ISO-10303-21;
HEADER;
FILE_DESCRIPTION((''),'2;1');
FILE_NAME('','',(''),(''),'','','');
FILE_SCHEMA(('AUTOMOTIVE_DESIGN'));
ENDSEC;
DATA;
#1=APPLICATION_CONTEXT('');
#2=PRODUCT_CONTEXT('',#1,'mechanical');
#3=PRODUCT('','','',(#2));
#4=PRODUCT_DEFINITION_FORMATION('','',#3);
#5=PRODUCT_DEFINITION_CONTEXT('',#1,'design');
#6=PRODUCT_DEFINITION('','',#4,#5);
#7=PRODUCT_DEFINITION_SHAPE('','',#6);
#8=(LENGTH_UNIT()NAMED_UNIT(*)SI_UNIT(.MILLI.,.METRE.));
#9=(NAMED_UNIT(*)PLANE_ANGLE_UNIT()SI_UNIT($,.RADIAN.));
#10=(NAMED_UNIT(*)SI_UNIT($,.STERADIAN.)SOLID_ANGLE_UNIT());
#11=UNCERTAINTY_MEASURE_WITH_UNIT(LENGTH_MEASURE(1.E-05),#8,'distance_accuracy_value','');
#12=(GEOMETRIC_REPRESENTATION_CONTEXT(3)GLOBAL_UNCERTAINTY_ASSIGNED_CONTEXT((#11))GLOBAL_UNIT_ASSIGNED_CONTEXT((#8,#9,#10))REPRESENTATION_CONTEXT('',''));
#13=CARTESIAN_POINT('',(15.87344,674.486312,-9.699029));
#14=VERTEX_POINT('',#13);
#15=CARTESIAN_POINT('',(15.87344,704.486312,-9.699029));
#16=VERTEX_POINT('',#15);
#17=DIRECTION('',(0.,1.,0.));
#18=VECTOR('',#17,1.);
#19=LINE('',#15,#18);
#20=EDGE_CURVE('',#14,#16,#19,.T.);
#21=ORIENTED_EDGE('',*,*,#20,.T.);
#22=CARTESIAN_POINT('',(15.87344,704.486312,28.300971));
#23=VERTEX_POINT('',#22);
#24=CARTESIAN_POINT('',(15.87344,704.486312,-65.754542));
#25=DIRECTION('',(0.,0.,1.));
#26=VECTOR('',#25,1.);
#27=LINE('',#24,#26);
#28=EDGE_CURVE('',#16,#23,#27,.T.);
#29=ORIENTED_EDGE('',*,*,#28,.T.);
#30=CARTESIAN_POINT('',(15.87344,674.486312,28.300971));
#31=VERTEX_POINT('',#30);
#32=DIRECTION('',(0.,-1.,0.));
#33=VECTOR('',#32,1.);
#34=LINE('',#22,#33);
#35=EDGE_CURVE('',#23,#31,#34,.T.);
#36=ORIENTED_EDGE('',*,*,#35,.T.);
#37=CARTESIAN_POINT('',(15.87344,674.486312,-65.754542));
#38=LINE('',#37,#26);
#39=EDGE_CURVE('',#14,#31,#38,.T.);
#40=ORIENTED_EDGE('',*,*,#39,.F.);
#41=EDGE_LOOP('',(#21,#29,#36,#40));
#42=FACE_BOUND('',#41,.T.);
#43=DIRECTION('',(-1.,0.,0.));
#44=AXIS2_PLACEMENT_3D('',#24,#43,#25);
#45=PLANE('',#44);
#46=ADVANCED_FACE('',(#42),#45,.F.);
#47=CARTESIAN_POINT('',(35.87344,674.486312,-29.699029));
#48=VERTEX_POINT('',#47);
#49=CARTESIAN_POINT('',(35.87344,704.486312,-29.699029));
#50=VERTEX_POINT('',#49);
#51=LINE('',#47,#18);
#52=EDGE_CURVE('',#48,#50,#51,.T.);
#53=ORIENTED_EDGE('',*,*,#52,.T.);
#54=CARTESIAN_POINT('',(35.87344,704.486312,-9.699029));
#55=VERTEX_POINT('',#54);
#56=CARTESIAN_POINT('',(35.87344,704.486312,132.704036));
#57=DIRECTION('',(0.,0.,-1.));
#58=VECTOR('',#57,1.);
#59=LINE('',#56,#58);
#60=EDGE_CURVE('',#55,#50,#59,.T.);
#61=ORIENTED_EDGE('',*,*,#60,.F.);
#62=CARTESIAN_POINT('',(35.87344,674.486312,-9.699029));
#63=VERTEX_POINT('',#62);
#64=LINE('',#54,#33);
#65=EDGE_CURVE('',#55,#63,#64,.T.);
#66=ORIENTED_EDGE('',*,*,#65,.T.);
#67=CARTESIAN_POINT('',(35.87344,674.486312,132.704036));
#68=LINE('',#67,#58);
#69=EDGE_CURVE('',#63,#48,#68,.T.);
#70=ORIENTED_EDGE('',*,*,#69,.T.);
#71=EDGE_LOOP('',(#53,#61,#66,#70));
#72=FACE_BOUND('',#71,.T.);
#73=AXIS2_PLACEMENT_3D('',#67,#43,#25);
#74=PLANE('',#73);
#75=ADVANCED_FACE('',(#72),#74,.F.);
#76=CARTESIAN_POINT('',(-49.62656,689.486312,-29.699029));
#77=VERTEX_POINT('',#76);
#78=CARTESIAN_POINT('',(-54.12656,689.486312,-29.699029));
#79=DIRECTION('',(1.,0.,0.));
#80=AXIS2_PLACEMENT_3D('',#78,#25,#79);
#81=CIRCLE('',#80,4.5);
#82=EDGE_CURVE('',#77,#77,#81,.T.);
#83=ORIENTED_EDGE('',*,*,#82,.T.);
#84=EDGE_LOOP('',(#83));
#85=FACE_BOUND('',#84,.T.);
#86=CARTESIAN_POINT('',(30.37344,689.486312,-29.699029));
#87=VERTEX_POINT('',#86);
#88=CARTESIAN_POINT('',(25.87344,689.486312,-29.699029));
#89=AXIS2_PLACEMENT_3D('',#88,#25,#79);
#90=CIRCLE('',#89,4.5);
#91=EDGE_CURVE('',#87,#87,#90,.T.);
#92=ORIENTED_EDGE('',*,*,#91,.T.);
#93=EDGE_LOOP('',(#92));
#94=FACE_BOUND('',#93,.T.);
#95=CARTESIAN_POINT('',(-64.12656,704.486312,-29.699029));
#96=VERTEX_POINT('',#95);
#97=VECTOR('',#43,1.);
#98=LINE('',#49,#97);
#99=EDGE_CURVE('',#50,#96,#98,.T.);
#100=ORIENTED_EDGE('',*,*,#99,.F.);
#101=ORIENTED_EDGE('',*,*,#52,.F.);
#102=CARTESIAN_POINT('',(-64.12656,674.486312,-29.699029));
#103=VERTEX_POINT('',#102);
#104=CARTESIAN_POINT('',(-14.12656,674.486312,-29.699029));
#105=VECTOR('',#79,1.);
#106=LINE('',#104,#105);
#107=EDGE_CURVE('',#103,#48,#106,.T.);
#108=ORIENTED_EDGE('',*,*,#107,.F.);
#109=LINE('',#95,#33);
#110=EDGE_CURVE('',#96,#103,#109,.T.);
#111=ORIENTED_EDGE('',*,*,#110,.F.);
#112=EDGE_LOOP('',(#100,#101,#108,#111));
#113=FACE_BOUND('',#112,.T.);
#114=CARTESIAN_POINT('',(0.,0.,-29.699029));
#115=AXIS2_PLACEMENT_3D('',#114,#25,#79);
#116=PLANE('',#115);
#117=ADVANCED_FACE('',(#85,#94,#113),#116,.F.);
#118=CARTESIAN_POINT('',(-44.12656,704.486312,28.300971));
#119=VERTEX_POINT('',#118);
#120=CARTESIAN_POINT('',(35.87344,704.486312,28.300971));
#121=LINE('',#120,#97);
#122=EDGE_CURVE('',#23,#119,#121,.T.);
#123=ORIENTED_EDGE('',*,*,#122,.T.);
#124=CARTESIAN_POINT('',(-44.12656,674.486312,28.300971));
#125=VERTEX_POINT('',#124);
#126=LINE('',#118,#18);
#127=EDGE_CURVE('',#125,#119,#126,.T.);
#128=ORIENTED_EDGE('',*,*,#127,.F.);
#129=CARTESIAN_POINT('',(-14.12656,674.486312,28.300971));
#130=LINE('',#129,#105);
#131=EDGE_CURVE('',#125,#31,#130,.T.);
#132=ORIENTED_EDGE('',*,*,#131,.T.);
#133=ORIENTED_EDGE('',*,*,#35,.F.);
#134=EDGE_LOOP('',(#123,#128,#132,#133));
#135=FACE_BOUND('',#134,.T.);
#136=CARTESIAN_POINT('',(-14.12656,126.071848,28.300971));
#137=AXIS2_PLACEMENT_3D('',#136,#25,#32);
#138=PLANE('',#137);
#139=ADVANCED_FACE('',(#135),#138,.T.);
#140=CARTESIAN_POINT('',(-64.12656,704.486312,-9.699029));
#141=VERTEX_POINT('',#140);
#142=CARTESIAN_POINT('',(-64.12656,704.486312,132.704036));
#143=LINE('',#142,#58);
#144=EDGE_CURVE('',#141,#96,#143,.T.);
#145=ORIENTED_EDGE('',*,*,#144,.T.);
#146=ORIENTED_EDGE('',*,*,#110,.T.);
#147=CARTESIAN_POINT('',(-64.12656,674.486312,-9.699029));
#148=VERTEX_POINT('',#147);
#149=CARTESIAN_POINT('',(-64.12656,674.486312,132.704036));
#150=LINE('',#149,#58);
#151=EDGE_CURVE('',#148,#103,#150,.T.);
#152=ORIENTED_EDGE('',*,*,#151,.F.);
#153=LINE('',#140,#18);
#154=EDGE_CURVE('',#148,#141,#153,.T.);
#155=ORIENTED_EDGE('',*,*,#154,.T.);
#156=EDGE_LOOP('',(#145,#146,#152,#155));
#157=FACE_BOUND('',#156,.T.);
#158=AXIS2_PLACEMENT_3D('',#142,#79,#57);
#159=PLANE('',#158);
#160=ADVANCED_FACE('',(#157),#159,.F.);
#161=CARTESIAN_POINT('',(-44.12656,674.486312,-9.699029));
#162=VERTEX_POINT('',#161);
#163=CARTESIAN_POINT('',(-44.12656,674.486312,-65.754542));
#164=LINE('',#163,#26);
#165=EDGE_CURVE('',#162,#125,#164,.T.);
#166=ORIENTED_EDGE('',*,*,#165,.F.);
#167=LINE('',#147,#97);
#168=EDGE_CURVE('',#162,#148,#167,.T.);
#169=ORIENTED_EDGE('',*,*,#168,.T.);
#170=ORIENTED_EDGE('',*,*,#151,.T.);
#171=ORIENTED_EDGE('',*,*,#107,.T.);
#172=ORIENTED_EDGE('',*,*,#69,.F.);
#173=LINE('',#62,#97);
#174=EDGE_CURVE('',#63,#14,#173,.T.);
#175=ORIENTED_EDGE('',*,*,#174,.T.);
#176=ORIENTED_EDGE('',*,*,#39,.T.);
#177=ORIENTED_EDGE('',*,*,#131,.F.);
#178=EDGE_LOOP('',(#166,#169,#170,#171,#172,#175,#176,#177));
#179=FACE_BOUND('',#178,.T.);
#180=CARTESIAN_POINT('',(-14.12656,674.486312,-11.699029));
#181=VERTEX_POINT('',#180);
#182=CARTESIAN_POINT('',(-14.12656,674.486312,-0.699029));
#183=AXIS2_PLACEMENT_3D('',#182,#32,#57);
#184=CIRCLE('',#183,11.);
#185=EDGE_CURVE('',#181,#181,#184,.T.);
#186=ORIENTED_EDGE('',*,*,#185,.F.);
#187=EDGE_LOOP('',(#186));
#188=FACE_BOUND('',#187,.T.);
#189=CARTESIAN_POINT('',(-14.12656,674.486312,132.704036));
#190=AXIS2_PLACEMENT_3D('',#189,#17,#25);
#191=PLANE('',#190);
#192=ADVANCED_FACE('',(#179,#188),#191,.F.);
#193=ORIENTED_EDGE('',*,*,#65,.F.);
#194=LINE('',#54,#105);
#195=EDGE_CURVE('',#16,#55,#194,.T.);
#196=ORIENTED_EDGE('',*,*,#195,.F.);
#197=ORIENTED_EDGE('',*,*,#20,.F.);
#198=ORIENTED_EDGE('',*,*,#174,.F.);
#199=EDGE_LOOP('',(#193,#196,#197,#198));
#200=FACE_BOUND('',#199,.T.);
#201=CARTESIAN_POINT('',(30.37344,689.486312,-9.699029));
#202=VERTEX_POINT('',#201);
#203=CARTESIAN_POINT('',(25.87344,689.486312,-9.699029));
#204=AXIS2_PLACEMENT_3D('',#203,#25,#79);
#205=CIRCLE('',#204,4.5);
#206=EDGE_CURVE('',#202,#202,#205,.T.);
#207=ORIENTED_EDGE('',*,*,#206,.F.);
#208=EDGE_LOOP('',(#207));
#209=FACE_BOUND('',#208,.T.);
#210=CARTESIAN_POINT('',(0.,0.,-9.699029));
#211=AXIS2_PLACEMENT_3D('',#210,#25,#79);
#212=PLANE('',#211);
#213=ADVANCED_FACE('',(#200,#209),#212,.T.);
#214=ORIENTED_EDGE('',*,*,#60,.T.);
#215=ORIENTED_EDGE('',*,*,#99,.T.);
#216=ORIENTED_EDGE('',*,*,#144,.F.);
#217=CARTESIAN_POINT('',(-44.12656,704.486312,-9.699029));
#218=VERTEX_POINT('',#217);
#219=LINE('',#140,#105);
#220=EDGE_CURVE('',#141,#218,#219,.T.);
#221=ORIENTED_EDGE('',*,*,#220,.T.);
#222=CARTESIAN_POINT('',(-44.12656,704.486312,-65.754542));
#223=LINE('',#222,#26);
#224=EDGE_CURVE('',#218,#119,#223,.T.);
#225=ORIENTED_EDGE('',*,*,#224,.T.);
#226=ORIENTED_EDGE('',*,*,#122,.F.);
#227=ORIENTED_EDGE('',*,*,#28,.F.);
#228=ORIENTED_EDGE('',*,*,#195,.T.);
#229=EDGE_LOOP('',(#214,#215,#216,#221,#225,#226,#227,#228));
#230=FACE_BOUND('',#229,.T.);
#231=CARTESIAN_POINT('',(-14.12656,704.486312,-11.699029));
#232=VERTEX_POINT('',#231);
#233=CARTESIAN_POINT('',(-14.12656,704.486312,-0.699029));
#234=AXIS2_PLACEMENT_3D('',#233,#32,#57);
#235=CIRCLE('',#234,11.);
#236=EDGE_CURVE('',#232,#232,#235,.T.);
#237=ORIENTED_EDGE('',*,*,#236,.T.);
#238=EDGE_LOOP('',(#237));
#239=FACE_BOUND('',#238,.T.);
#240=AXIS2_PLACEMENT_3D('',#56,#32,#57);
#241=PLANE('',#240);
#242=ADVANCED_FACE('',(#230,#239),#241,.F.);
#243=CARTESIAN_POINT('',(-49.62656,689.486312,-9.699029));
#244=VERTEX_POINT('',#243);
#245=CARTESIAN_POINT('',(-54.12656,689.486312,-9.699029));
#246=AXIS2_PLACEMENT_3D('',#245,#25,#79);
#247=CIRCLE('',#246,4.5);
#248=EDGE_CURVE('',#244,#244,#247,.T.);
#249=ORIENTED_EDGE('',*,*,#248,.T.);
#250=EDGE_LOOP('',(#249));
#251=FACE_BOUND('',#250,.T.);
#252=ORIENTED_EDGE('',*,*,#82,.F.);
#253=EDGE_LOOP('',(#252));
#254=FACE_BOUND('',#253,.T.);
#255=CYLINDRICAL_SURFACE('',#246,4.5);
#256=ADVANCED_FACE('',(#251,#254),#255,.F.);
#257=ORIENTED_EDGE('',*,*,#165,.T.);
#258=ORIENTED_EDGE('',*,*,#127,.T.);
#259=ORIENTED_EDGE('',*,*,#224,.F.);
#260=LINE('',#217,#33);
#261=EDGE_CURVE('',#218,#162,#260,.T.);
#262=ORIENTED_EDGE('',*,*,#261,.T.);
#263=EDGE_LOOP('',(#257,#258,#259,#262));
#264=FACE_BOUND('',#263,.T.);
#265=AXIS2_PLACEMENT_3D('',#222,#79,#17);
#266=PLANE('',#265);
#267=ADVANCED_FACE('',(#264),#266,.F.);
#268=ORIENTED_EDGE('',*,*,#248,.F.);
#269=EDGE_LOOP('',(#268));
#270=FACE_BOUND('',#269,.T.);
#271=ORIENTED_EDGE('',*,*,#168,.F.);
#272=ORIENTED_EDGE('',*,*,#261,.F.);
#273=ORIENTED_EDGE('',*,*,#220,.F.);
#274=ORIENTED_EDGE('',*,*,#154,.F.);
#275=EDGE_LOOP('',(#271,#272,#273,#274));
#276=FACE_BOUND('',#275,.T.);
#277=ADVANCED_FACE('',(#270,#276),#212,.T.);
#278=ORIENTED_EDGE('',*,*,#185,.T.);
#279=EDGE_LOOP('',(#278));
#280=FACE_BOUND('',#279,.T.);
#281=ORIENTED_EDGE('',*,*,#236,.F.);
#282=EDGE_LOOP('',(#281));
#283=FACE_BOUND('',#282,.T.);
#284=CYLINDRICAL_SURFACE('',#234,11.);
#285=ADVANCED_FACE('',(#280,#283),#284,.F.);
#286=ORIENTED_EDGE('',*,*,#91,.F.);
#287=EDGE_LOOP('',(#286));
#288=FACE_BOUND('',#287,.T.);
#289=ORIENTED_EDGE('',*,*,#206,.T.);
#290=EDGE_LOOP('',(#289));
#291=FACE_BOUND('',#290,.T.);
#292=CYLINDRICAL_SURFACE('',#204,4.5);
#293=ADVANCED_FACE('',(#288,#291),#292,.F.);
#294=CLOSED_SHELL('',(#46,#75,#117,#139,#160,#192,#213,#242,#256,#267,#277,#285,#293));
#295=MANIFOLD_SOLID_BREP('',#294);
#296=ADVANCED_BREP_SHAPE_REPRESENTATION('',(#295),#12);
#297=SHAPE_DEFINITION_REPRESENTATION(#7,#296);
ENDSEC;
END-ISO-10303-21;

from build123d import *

# Parameters (mm, degrees)
BOSS_EXTRUDE1_DEPTH  = 58
SKETCH3_R            = 11
CUT_EXTRUDE1_DEPTH   = 77.774006375
SKETCH4_W            = 20
SKETCH4_H            = 30
CUT_EXTRUDE2_DEPTH   = 38
M8_CLEARANCE_HOLE1_D = 9


with BuildPart() as part:
    # Sketch1 → Boss-Extrude1 (new body)
    with BuildSketch(Plane(origin=(0, 2.518676762, -29.699029015), x_dir=(1, 0, 0), z_dir=(0, 0, 1))):
        Polygon((-64.126560257, 671.967635092), (-14.126560257, 671.967635092), (35.873439743, 671.967635092), (35.873439743, 701.967635092), (-64.126560257, 701.967635092), align=None)
    extrude(amount=BOSS_EXTRUDE1_DEPTH)

    # Sketch3 → Cut-Extrude1 (cut, through all)
    with BuildSketch(Plane.XZ.offset(-674.486311854)):
        with Locations(Location((-14.126560257, -0.699029015, 0), (0, 0, 270))):
            Circle(SKETCH3_R)
    extrude(amount=-CUT_EXTRUDE1_DEPTH, mode=Mode.SUBTRACT)

    # Sketch4 → Cut-Extrude2 (cut)
    with BuildSketch(Plane.XY.offset(28.300970985)):
        with Locations((-54.126560257, 689.486311854)):
            Rectangle(SKETCH4_W, SKETCH4_H)
        with Locations((25.873439743, 689.486311854)):
            Rectangle(SKETCH4_W, SKETCH4_H)
    extrude(amount=-CUT_EXTRUDE2_DEPTH, mode=Mode.SUBTRACT)

    # M8 Clearance Hole1 (through all)
    with Locations(Plane(origin=(-5.422124321, 631.407959219, -9.699029015), x_dir=(1, 0, 0), z_dir=(0, 0, 1))):
        with Locations((-48.704435936, -458.836111538), (-48.704435936, -493.836111538), (31.295564064, -458.836111538), (31.295564064, -493.836111538), (-48.704435936, 58.078352635), (31.295564064, 58.078352635)):
            Hole(M8_CLEARANCE_HOLE1_D / 2)


solid = part.part
